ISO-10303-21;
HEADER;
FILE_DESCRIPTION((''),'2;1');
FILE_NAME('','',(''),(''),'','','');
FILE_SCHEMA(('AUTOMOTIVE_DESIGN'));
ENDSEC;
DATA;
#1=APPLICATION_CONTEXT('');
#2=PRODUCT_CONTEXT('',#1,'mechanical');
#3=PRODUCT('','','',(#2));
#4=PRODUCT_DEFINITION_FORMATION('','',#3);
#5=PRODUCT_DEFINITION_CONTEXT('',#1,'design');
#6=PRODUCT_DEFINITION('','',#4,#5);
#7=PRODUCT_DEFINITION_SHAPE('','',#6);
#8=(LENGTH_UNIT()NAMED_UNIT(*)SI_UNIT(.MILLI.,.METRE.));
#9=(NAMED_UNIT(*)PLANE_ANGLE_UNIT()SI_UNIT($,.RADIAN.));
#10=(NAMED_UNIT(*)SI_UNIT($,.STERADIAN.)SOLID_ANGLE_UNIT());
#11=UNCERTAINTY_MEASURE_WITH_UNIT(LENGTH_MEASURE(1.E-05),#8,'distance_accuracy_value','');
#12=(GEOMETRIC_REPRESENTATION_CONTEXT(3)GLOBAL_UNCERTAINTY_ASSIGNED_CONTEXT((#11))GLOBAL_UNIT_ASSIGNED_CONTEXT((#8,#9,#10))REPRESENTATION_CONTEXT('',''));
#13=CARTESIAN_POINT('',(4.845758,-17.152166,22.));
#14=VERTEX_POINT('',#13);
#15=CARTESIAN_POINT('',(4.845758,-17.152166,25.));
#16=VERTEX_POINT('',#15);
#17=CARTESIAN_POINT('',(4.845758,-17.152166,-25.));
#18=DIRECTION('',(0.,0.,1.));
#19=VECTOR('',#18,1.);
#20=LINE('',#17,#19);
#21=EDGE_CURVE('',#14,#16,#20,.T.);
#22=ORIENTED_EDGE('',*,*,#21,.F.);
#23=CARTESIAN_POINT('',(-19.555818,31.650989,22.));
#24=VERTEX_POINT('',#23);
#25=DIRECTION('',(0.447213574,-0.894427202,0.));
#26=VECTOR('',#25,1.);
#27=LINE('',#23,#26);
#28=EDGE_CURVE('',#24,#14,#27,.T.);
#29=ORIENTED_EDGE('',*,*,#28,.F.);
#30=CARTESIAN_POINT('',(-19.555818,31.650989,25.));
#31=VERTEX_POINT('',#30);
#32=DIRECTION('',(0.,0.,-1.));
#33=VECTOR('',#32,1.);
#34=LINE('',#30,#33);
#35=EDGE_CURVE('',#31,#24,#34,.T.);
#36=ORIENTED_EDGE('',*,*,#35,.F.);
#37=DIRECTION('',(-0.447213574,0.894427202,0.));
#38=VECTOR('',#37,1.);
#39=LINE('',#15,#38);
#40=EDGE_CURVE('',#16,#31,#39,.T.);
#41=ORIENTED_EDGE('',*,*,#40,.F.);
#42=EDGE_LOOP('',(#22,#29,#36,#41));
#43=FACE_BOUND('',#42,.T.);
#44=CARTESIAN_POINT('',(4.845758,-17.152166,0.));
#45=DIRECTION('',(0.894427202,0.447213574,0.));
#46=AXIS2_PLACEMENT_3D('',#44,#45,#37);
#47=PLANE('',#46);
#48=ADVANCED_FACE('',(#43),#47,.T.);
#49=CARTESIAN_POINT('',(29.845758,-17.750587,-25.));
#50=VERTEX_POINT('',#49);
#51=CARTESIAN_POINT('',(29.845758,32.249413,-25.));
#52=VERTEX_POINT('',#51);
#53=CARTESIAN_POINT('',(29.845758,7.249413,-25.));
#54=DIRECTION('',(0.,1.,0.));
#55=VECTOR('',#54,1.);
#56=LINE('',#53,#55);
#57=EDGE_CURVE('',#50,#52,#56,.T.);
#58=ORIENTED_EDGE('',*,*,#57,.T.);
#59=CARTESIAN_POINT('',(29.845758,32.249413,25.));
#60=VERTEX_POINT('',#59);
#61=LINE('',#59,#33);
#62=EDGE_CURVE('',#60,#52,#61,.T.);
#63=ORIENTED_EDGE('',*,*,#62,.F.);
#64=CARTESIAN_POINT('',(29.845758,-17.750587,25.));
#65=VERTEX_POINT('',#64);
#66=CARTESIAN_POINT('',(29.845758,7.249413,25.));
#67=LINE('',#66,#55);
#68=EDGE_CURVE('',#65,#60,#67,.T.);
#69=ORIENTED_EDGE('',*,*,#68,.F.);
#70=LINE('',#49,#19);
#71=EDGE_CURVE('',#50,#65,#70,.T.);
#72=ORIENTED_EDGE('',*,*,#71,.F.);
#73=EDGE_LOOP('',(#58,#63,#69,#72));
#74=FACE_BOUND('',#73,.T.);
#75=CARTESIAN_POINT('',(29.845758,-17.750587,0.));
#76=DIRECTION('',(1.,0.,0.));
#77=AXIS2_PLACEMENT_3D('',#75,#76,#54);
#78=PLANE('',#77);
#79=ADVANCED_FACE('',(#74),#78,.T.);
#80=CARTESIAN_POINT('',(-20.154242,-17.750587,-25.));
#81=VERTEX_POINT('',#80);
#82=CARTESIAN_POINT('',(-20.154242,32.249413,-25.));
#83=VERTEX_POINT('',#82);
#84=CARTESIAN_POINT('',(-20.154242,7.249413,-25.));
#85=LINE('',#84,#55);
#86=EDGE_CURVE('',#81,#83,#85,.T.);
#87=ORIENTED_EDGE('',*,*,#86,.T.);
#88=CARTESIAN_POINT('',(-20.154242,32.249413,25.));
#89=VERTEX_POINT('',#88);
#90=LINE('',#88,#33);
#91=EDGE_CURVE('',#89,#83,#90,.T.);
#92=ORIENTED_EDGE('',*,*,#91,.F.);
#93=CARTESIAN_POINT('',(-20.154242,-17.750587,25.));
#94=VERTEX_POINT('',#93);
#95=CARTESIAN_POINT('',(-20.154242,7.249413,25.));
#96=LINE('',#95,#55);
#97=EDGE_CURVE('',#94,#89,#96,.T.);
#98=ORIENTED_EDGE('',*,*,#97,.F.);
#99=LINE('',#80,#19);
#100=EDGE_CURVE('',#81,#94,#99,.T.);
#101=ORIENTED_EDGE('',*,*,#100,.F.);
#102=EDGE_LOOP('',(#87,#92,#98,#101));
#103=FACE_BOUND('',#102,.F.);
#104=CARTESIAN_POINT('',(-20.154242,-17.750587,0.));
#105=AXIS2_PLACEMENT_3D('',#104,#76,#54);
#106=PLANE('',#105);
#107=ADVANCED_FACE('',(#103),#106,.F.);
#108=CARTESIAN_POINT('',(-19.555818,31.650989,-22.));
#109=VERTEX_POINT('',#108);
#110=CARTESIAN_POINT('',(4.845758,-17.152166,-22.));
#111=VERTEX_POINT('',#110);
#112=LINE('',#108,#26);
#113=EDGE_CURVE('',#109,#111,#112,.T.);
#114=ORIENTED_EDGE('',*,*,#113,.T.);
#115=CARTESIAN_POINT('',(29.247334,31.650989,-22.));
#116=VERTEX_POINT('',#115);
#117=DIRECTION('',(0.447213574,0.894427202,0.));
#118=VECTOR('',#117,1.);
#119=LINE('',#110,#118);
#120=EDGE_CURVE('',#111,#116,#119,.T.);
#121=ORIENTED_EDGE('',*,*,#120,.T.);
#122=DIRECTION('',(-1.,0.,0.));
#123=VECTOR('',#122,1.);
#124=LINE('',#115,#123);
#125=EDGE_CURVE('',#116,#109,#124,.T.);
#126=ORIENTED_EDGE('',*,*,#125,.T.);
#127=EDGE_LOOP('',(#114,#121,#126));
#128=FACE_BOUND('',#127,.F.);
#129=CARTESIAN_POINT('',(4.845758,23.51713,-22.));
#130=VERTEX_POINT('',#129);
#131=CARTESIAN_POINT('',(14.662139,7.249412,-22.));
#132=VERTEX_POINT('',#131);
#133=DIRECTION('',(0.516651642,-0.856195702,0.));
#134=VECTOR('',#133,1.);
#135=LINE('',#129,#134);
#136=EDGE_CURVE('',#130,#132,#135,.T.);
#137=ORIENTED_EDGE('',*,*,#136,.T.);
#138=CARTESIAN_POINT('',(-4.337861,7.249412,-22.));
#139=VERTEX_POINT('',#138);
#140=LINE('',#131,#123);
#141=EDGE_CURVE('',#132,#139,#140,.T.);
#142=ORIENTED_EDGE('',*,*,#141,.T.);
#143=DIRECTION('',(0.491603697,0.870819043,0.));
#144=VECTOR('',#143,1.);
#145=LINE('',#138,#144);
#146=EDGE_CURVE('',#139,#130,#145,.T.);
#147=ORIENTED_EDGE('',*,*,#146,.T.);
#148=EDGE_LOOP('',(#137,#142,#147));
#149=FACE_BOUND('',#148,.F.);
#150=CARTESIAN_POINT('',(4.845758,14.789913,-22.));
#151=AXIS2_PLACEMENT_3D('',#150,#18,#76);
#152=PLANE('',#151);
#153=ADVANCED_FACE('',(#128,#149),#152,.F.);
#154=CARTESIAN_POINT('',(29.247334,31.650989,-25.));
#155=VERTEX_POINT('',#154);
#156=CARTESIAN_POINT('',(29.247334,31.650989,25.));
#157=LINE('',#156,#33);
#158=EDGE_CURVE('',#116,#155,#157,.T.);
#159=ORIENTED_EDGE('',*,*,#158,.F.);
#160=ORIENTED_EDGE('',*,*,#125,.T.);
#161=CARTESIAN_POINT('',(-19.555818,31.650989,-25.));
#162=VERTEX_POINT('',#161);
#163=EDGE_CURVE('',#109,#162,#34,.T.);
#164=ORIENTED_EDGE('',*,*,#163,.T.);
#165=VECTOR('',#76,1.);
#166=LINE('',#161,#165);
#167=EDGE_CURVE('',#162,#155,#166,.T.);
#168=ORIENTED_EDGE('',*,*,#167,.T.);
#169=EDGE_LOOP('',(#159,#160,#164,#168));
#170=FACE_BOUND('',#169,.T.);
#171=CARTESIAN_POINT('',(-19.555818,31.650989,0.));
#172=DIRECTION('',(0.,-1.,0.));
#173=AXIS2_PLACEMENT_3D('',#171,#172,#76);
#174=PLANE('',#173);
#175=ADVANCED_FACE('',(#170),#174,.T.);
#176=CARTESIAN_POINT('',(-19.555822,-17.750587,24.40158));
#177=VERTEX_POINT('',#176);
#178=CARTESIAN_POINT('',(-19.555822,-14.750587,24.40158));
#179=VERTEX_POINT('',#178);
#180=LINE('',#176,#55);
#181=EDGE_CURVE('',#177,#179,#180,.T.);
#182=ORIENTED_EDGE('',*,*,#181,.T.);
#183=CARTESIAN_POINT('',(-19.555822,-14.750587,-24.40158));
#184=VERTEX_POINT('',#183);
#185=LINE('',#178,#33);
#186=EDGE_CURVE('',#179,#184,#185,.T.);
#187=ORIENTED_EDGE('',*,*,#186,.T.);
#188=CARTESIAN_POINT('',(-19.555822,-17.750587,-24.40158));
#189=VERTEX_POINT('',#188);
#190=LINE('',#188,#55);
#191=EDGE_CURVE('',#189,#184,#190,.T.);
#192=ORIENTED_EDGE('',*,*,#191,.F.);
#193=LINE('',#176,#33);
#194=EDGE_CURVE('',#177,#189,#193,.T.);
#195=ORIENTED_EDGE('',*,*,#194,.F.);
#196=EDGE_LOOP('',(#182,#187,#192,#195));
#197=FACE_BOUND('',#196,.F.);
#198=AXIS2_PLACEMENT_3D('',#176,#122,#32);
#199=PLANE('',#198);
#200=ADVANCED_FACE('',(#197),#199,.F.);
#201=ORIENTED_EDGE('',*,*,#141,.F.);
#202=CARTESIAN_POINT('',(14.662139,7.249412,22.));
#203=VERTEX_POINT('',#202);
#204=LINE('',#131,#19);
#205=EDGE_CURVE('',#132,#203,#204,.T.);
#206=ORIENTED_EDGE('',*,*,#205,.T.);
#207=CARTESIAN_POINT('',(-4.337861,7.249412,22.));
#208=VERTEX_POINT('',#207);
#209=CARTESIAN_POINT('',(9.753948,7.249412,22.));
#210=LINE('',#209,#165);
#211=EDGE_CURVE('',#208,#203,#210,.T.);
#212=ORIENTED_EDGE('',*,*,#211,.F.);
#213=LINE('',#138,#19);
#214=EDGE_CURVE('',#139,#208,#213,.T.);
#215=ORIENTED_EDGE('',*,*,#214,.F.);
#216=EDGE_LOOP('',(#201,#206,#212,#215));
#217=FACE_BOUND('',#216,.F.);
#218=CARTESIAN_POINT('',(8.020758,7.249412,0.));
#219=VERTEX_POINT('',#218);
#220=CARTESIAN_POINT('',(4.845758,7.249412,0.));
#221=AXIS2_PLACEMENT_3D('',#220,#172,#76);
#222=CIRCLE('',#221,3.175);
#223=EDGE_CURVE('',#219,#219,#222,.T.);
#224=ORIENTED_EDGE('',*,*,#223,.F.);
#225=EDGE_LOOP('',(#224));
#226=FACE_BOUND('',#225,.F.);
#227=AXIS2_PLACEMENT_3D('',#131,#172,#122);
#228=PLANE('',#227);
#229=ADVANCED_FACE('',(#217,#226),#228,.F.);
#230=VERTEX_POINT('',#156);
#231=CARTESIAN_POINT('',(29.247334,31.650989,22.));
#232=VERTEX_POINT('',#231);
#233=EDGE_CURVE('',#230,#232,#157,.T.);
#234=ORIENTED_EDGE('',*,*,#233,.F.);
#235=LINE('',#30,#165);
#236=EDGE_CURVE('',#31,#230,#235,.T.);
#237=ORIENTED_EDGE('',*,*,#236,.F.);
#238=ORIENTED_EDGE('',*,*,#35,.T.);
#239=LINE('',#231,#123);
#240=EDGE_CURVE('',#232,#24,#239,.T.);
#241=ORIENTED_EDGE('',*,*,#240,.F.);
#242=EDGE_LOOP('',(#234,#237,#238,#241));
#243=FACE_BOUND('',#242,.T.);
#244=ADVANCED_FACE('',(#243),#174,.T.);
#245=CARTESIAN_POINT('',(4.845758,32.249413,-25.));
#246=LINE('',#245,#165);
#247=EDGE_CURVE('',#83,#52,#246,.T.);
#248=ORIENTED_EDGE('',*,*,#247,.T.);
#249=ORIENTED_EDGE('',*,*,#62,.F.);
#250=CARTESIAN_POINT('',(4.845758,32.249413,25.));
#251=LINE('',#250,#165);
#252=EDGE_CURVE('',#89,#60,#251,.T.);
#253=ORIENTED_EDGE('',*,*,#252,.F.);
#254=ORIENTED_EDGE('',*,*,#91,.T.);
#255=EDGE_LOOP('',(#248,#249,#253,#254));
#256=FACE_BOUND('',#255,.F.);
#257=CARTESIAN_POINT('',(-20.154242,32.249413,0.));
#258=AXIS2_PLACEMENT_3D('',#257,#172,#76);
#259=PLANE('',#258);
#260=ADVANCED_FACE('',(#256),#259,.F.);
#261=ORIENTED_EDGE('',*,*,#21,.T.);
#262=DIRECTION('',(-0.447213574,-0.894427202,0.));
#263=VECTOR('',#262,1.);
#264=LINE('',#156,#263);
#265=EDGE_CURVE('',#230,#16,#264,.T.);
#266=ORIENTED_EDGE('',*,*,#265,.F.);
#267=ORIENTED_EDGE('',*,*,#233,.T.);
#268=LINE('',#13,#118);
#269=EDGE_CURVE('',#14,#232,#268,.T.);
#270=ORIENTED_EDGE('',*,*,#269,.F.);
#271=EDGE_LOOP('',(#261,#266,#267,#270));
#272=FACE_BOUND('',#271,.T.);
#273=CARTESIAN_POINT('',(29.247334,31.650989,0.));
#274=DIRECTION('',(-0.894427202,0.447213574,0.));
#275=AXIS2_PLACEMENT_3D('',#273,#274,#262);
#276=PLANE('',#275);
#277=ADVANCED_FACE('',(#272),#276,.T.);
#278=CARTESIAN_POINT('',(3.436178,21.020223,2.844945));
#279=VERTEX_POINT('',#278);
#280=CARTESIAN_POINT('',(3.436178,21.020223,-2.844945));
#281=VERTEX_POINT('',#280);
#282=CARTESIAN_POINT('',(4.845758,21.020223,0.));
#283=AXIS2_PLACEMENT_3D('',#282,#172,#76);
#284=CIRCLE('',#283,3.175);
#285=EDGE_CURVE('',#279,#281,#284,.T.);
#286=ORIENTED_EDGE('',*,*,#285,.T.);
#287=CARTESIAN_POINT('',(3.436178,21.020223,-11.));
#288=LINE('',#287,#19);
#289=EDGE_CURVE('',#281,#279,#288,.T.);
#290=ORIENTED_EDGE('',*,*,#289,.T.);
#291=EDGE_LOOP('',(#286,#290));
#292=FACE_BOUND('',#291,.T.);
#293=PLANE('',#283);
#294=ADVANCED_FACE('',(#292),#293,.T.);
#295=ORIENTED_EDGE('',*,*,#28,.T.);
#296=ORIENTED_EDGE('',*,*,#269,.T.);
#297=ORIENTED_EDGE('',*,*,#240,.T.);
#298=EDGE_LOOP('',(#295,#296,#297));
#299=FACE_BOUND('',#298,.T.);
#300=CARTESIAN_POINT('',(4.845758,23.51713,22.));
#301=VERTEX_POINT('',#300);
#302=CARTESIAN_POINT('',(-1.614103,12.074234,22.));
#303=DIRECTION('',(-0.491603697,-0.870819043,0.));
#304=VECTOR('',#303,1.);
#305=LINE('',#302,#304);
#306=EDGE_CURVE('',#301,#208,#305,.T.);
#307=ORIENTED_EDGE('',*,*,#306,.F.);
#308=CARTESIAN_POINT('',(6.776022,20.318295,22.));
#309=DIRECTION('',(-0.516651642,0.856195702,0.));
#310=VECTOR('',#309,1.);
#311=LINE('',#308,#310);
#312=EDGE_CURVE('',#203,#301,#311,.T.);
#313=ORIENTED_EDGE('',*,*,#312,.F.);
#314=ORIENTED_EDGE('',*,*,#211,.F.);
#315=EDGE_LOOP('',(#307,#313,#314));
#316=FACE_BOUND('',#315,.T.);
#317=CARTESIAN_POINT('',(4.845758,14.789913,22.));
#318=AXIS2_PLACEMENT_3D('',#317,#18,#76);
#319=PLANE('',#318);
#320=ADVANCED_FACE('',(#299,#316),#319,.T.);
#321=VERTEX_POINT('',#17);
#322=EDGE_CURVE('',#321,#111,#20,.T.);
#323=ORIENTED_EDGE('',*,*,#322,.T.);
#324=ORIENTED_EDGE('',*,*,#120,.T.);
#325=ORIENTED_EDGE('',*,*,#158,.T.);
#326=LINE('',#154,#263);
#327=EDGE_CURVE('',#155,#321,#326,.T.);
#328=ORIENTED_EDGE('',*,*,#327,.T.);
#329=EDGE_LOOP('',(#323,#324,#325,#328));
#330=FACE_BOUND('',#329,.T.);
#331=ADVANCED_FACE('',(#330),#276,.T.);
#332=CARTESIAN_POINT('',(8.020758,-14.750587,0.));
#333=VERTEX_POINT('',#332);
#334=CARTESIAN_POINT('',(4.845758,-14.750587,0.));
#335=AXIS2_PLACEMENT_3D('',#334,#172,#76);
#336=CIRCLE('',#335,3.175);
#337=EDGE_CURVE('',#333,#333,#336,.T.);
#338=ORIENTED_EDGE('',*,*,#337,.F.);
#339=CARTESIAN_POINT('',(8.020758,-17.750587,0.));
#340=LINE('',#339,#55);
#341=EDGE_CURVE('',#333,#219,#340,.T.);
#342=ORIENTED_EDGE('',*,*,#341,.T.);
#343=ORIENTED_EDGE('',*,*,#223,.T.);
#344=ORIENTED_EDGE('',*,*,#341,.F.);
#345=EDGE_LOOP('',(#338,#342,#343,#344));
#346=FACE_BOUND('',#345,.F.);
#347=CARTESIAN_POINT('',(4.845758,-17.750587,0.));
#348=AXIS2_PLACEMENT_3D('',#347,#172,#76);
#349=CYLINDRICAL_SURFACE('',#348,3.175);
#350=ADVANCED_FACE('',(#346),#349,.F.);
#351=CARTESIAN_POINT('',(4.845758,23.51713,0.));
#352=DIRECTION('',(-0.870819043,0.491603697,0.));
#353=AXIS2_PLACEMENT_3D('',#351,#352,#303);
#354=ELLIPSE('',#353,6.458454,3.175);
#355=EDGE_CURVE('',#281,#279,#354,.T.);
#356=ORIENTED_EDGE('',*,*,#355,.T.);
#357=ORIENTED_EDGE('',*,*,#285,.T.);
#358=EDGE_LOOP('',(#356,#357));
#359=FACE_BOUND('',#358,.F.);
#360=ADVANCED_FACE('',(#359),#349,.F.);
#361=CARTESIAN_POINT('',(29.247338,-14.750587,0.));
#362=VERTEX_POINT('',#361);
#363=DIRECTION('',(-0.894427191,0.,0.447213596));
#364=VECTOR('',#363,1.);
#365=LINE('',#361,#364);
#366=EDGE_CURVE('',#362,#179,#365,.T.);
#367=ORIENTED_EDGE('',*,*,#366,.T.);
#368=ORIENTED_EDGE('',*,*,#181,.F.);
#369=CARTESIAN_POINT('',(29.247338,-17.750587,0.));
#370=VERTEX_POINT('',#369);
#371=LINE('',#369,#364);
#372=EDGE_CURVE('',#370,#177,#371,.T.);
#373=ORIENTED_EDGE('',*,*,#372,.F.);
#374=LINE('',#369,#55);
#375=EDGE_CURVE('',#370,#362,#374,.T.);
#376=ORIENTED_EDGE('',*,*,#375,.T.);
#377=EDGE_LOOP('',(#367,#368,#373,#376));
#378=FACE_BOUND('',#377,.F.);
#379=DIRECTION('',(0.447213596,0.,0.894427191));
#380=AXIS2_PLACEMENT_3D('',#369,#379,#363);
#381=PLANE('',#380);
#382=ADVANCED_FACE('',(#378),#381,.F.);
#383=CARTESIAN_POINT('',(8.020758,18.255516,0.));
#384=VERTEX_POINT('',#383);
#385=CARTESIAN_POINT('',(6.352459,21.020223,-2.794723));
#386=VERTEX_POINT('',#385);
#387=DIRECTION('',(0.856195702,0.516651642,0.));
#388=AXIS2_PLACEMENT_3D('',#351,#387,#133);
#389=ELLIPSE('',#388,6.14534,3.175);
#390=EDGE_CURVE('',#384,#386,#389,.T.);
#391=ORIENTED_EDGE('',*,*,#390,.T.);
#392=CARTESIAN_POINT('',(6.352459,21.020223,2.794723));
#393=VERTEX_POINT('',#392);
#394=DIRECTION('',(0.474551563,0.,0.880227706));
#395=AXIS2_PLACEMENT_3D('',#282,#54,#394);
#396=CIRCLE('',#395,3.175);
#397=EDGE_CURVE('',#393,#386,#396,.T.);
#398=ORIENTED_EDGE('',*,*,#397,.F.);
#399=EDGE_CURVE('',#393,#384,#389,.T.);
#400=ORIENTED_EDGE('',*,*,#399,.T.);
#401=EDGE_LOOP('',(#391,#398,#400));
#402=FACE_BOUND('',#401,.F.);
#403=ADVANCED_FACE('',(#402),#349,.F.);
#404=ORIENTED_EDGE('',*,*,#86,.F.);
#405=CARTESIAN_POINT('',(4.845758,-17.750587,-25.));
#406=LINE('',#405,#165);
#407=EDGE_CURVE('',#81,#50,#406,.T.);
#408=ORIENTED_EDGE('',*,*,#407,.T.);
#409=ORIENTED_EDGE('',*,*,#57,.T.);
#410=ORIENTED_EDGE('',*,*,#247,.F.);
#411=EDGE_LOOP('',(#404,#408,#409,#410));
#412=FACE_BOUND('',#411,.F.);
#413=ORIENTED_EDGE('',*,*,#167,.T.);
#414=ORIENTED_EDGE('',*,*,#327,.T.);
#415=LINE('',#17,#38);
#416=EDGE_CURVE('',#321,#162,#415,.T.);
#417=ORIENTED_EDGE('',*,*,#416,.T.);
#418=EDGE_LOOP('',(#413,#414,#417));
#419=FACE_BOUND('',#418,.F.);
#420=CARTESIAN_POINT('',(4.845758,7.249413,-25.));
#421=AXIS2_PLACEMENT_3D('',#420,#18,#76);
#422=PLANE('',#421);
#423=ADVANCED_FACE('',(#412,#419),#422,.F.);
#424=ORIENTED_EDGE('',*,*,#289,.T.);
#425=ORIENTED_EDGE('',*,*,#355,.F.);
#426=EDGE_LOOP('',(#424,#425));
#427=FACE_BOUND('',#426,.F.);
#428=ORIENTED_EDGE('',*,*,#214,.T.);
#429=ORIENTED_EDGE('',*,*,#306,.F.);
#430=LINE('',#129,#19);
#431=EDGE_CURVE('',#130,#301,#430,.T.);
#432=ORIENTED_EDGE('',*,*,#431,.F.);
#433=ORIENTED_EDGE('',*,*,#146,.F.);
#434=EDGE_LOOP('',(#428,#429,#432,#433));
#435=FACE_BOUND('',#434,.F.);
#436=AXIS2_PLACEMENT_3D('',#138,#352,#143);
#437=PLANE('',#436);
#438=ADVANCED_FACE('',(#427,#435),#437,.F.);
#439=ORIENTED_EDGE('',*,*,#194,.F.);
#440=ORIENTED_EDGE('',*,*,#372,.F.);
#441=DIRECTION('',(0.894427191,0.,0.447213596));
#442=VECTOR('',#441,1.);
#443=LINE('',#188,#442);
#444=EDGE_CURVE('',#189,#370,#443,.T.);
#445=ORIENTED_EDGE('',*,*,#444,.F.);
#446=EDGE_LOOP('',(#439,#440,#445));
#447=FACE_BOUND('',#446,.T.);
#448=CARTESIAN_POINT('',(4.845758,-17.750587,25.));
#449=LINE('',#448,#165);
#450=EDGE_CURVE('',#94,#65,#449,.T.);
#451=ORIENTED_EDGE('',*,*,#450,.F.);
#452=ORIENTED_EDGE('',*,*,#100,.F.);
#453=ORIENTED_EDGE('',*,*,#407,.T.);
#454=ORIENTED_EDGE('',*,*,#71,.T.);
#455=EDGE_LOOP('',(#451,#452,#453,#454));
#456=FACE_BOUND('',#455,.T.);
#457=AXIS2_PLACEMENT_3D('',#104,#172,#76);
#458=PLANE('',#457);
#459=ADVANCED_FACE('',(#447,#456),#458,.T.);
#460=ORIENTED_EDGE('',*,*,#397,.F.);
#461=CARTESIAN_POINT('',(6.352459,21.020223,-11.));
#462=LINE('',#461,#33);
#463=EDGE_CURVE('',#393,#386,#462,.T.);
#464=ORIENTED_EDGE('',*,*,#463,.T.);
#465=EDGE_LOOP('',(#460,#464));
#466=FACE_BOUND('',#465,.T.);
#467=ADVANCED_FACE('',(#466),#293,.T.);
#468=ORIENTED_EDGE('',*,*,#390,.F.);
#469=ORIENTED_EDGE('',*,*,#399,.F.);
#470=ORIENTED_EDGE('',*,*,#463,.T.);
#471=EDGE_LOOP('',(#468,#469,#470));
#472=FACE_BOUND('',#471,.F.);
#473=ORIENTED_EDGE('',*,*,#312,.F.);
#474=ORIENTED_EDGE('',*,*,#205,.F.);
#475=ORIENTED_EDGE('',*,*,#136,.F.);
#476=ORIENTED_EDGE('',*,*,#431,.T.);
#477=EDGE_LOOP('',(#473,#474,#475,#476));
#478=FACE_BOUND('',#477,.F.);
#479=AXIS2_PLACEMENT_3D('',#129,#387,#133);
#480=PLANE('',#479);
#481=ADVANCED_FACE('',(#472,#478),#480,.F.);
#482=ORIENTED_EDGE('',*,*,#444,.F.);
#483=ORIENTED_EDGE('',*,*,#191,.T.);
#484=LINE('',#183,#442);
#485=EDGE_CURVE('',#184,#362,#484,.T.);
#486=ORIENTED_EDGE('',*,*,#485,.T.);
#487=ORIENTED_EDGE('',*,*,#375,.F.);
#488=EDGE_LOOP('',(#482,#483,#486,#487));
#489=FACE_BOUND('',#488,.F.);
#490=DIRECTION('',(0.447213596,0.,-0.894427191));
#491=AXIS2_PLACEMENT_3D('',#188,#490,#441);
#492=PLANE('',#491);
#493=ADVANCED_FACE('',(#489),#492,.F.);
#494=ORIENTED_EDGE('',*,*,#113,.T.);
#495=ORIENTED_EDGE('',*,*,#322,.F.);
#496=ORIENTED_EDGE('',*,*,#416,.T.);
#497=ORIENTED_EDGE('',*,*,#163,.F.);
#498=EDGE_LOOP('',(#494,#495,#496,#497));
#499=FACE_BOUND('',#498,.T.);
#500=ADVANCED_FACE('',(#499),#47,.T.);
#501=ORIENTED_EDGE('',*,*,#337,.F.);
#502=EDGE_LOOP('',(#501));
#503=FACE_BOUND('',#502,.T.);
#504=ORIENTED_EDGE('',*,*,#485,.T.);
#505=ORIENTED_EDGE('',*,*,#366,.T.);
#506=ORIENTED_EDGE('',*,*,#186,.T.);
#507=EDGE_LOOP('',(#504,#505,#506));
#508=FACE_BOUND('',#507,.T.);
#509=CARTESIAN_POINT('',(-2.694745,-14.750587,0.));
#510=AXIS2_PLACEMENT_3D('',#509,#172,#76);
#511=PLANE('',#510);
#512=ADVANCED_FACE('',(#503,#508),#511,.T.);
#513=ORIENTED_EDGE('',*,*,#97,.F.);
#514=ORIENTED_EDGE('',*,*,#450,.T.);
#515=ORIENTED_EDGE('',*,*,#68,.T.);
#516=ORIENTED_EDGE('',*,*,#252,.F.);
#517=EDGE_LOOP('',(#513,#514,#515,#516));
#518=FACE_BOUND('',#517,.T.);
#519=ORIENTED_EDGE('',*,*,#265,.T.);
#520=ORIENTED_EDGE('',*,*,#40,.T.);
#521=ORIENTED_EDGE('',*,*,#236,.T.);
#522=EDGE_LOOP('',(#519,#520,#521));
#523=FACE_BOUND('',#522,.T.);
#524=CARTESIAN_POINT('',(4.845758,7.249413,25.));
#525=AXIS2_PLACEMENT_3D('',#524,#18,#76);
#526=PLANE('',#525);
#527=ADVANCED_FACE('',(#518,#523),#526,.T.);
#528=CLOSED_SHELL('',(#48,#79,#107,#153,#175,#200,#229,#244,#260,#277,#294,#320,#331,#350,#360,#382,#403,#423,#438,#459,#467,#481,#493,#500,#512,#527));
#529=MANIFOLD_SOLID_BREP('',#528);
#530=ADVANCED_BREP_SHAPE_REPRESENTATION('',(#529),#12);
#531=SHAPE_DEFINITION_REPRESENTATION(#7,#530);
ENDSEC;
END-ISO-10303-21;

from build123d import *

# Parameters (mm, degrees)
F0_W     = 50
F0_H     = 50
F1_DEPTH = 25
F2_DEPTH = 22
F4_DEPTH = 48
F5_R     = 3.175
F6_DEPTH = 38.77081
F8_DEPTH = 3


with BuildPart() as f1:
    # F0 (on Top) → F1 (new body, symmetric)
    with BuildSketch(Plane.XY):
        with Locations((4.845758, 7.249413)):
            Rectangle(F0_W, F0_H)
        Polygon((4.845758, -17.152166), (-19.555818, 31.650989), (29.247334, 31.650989), align=None, mode=Mode.SUBTRACT)
    extrude(amount=F1_DEPTH, both=True)

    # F0 (on Top) → F2 (join, symmetric)
    with BuildSketch(Plane.XY):
        Polygon((29.247334, 31.650989), (-19.555818, 31.650989), (4.845758, -17.152166), align=None)
    extrude(amount=F2_DEPTH, both=True)

    # F3 (on face) → F4 (cut)
    with BuildSketch(Plane(origin=(0, 0, -22), x_dir=(1, 0, 0), z_dir=(0, 0, -1))):
        Polygon((-4.337861, -7.249412), (4.845758, -23.51713), (14.662139, -7.249412), align=None)
    extrude(amount=-F4_DEPTH, mode=Mode.SUBTRACT)

    # F5 (on face) → F6 (cut)
    with BuildSketch(Plane.XZ.offset(17.750587)):
        with Locations((4.845758, 0)):
            Circle(F5_R)
    extrude(amount=-F6_DEPTH, mode=Mode.SUBTRACT)

    # F7 (on face) → F8 (cut)
    with BuildSketch(Plane.XZ.offset(17.750587)):
        Polygon((29.247338, 0), (-19.555822, 24.40158), (-19.555822, -24.40158), align=None)
    extrude(amount=-F8_DEPTH, mode=Mode.SUBTRACT)


solid = f1.part
